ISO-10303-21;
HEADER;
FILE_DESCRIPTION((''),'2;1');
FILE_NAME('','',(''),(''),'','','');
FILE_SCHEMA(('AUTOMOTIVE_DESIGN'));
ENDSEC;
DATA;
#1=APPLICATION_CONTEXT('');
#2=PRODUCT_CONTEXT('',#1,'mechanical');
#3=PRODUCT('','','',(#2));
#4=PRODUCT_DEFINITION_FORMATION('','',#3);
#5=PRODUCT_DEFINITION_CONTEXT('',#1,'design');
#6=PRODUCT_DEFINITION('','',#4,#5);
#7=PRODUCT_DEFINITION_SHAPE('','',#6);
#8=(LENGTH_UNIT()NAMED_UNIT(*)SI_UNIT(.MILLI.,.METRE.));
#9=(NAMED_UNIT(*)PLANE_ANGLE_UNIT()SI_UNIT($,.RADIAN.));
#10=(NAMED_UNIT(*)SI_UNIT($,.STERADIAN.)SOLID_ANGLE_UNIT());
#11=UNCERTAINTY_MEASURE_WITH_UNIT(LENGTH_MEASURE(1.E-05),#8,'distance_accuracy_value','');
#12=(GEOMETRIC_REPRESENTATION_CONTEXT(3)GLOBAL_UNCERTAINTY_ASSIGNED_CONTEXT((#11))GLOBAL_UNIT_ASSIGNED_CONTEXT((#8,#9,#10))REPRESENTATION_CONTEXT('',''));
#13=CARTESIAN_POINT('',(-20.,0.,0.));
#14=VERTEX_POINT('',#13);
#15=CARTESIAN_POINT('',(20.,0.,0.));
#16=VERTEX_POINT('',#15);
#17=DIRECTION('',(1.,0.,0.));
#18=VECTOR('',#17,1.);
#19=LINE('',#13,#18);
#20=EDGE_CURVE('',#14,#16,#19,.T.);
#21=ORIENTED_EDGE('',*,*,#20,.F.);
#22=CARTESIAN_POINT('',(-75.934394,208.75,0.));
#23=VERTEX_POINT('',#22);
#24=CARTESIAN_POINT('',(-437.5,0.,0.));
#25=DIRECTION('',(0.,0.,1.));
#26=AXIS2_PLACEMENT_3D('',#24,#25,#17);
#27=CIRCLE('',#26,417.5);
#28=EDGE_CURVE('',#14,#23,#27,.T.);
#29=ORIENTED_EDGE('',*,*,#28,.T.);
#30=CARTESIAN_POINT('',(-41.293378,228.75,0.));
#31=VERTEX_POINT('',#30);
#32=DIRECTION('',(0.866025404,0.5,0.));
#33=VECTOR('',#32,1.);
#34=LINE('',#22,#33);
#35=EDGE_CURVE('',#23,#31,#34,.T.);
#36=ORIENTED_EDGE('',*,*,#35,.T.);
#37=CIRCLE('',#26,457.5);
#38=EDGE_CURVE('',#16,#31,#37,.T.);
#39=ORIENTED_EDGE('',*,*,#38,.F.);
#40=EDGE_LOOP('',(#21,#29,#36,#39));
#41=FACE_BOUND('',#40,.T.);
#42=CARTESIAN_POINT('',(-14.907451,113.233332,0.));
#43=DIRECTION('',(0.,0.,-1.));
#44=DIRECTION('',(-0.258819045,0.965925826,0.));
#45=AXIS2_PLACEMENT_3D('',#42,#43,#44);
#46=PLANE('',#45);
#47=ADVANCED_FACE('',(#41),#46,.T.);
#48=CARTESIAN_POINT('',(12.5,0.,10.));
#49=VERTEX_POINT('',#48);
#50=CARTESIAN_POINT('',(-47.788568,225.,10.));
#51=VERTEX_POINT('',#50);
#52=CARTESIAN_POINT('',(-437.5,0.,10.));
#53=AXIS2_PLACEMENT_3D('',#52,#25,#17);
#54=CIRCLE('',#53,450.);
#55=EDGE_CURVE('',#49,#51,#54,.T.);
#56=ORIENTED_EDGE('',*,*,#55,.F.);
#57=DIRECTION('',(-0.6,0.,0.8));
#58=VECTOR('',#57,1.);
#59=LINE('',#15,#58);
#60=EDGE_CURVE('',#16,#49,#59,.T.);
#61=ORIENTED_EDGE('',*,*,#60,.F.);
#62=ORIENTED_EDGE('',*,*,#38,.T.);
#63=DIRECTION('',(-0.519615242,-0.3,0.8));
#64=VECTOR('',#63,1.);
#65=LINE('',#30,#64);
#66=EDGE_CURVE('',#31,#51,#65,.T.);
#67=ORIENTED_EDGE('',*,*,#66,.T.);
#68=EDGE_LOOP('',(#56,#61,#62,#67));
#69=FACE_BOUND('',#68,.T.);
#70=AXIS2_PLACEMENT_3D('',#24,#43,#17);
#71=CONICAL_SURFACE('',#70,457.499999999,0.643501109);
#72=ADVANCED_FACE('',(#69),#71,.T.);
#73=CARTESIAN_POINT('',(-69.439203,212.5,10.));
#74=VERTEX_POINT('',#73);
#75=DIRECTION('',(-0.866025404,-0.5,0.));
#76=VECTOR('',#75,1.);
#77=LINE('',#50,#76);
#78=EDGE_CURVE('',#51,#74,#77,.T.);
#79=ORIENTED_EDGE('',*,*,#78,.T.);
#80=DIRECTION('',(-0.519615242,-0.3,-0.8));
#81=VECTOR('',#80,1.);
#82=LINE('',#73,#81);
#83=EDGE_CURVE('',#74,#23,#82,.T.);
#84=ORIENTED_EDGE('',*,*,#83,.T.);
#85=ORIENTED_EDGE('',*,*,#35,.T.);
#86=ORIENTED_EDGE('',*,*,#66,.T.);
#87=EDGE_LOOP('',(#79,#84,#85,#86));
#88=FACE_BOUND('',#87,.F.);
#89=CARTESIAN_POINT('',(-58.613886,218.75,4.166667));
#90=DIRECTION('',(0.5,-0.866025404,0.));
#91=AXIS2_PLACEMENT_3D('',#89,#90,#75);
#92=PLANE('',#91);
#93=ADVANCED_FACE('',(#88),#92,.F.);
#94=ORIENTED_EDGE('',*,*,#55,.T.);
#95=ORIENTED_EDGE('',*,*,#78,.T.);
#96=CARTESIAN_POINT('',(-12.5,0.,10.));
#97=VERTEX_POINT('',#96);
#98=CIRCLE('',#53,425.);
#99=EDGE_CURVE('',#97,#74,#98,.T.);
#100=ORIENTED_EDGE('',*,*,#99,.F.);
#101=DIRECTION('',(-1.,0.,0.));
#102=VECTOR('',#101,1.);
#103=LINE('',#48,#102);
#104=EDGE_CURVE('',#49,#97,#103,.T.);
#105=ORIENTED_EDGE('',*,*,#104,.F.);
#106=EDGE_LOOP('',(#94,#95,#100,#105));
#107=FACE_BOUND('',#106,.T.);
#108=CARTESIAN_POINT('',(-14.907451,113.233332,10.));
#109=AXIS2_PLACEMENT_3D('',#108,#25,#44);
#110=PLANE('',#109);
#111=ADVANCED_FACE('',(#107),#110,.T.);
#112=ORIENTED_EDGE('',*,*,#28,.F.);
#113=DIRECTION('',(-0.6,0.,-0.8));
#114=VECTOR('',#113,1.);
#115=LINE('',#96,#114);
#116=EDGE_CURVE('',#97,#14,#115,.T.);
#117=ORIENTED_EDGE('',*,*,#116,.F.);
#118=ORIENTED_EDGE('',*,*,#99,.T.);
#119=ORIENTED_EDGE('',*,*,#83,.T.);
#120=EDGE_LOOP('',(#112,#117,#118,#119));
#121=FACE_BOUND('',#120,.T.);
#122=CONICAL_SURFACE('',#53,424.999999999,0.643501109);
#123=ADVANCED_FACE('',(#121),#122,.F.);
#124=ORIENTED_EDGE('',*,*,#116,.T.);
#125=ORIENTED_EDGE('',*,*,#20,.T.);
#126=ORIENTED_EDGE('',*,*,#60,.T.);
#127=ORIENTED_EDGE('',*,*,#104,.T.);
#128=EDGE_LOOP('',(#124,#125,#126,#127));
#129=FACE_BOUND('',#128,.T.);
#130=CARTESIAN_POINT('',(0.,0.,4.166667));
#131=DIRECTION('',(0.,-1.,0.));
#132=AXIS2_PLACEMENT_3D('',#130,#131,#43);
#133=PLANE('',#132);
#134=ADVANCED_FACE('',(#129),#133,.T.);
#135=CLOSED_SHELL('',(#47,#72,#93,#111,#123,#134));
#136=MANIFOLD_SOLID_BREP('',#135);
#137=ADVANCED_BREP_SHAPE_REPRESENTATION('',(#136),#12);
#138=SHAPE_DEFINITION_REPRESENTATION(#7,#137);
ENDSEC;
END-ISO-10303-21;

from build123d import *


with BuildPart() as f2:
    # F2: sweep along a path in F1
    with BuildLine(Plane.XY) as f2_path:
        ThreePointArc((0, 0), (-14.9074509985, 113.2333322324), (-58.6138858443, 218.75))
    # F0 (on Front) → F2 (sweep)
    with BuildSketch(Plane.XZ):
        Polygon((-12.5, 10), (-20, 0), (20, 0), (12.5, 10), align=None)
    sweep(path=f2_path.line)


solid = f2.part
